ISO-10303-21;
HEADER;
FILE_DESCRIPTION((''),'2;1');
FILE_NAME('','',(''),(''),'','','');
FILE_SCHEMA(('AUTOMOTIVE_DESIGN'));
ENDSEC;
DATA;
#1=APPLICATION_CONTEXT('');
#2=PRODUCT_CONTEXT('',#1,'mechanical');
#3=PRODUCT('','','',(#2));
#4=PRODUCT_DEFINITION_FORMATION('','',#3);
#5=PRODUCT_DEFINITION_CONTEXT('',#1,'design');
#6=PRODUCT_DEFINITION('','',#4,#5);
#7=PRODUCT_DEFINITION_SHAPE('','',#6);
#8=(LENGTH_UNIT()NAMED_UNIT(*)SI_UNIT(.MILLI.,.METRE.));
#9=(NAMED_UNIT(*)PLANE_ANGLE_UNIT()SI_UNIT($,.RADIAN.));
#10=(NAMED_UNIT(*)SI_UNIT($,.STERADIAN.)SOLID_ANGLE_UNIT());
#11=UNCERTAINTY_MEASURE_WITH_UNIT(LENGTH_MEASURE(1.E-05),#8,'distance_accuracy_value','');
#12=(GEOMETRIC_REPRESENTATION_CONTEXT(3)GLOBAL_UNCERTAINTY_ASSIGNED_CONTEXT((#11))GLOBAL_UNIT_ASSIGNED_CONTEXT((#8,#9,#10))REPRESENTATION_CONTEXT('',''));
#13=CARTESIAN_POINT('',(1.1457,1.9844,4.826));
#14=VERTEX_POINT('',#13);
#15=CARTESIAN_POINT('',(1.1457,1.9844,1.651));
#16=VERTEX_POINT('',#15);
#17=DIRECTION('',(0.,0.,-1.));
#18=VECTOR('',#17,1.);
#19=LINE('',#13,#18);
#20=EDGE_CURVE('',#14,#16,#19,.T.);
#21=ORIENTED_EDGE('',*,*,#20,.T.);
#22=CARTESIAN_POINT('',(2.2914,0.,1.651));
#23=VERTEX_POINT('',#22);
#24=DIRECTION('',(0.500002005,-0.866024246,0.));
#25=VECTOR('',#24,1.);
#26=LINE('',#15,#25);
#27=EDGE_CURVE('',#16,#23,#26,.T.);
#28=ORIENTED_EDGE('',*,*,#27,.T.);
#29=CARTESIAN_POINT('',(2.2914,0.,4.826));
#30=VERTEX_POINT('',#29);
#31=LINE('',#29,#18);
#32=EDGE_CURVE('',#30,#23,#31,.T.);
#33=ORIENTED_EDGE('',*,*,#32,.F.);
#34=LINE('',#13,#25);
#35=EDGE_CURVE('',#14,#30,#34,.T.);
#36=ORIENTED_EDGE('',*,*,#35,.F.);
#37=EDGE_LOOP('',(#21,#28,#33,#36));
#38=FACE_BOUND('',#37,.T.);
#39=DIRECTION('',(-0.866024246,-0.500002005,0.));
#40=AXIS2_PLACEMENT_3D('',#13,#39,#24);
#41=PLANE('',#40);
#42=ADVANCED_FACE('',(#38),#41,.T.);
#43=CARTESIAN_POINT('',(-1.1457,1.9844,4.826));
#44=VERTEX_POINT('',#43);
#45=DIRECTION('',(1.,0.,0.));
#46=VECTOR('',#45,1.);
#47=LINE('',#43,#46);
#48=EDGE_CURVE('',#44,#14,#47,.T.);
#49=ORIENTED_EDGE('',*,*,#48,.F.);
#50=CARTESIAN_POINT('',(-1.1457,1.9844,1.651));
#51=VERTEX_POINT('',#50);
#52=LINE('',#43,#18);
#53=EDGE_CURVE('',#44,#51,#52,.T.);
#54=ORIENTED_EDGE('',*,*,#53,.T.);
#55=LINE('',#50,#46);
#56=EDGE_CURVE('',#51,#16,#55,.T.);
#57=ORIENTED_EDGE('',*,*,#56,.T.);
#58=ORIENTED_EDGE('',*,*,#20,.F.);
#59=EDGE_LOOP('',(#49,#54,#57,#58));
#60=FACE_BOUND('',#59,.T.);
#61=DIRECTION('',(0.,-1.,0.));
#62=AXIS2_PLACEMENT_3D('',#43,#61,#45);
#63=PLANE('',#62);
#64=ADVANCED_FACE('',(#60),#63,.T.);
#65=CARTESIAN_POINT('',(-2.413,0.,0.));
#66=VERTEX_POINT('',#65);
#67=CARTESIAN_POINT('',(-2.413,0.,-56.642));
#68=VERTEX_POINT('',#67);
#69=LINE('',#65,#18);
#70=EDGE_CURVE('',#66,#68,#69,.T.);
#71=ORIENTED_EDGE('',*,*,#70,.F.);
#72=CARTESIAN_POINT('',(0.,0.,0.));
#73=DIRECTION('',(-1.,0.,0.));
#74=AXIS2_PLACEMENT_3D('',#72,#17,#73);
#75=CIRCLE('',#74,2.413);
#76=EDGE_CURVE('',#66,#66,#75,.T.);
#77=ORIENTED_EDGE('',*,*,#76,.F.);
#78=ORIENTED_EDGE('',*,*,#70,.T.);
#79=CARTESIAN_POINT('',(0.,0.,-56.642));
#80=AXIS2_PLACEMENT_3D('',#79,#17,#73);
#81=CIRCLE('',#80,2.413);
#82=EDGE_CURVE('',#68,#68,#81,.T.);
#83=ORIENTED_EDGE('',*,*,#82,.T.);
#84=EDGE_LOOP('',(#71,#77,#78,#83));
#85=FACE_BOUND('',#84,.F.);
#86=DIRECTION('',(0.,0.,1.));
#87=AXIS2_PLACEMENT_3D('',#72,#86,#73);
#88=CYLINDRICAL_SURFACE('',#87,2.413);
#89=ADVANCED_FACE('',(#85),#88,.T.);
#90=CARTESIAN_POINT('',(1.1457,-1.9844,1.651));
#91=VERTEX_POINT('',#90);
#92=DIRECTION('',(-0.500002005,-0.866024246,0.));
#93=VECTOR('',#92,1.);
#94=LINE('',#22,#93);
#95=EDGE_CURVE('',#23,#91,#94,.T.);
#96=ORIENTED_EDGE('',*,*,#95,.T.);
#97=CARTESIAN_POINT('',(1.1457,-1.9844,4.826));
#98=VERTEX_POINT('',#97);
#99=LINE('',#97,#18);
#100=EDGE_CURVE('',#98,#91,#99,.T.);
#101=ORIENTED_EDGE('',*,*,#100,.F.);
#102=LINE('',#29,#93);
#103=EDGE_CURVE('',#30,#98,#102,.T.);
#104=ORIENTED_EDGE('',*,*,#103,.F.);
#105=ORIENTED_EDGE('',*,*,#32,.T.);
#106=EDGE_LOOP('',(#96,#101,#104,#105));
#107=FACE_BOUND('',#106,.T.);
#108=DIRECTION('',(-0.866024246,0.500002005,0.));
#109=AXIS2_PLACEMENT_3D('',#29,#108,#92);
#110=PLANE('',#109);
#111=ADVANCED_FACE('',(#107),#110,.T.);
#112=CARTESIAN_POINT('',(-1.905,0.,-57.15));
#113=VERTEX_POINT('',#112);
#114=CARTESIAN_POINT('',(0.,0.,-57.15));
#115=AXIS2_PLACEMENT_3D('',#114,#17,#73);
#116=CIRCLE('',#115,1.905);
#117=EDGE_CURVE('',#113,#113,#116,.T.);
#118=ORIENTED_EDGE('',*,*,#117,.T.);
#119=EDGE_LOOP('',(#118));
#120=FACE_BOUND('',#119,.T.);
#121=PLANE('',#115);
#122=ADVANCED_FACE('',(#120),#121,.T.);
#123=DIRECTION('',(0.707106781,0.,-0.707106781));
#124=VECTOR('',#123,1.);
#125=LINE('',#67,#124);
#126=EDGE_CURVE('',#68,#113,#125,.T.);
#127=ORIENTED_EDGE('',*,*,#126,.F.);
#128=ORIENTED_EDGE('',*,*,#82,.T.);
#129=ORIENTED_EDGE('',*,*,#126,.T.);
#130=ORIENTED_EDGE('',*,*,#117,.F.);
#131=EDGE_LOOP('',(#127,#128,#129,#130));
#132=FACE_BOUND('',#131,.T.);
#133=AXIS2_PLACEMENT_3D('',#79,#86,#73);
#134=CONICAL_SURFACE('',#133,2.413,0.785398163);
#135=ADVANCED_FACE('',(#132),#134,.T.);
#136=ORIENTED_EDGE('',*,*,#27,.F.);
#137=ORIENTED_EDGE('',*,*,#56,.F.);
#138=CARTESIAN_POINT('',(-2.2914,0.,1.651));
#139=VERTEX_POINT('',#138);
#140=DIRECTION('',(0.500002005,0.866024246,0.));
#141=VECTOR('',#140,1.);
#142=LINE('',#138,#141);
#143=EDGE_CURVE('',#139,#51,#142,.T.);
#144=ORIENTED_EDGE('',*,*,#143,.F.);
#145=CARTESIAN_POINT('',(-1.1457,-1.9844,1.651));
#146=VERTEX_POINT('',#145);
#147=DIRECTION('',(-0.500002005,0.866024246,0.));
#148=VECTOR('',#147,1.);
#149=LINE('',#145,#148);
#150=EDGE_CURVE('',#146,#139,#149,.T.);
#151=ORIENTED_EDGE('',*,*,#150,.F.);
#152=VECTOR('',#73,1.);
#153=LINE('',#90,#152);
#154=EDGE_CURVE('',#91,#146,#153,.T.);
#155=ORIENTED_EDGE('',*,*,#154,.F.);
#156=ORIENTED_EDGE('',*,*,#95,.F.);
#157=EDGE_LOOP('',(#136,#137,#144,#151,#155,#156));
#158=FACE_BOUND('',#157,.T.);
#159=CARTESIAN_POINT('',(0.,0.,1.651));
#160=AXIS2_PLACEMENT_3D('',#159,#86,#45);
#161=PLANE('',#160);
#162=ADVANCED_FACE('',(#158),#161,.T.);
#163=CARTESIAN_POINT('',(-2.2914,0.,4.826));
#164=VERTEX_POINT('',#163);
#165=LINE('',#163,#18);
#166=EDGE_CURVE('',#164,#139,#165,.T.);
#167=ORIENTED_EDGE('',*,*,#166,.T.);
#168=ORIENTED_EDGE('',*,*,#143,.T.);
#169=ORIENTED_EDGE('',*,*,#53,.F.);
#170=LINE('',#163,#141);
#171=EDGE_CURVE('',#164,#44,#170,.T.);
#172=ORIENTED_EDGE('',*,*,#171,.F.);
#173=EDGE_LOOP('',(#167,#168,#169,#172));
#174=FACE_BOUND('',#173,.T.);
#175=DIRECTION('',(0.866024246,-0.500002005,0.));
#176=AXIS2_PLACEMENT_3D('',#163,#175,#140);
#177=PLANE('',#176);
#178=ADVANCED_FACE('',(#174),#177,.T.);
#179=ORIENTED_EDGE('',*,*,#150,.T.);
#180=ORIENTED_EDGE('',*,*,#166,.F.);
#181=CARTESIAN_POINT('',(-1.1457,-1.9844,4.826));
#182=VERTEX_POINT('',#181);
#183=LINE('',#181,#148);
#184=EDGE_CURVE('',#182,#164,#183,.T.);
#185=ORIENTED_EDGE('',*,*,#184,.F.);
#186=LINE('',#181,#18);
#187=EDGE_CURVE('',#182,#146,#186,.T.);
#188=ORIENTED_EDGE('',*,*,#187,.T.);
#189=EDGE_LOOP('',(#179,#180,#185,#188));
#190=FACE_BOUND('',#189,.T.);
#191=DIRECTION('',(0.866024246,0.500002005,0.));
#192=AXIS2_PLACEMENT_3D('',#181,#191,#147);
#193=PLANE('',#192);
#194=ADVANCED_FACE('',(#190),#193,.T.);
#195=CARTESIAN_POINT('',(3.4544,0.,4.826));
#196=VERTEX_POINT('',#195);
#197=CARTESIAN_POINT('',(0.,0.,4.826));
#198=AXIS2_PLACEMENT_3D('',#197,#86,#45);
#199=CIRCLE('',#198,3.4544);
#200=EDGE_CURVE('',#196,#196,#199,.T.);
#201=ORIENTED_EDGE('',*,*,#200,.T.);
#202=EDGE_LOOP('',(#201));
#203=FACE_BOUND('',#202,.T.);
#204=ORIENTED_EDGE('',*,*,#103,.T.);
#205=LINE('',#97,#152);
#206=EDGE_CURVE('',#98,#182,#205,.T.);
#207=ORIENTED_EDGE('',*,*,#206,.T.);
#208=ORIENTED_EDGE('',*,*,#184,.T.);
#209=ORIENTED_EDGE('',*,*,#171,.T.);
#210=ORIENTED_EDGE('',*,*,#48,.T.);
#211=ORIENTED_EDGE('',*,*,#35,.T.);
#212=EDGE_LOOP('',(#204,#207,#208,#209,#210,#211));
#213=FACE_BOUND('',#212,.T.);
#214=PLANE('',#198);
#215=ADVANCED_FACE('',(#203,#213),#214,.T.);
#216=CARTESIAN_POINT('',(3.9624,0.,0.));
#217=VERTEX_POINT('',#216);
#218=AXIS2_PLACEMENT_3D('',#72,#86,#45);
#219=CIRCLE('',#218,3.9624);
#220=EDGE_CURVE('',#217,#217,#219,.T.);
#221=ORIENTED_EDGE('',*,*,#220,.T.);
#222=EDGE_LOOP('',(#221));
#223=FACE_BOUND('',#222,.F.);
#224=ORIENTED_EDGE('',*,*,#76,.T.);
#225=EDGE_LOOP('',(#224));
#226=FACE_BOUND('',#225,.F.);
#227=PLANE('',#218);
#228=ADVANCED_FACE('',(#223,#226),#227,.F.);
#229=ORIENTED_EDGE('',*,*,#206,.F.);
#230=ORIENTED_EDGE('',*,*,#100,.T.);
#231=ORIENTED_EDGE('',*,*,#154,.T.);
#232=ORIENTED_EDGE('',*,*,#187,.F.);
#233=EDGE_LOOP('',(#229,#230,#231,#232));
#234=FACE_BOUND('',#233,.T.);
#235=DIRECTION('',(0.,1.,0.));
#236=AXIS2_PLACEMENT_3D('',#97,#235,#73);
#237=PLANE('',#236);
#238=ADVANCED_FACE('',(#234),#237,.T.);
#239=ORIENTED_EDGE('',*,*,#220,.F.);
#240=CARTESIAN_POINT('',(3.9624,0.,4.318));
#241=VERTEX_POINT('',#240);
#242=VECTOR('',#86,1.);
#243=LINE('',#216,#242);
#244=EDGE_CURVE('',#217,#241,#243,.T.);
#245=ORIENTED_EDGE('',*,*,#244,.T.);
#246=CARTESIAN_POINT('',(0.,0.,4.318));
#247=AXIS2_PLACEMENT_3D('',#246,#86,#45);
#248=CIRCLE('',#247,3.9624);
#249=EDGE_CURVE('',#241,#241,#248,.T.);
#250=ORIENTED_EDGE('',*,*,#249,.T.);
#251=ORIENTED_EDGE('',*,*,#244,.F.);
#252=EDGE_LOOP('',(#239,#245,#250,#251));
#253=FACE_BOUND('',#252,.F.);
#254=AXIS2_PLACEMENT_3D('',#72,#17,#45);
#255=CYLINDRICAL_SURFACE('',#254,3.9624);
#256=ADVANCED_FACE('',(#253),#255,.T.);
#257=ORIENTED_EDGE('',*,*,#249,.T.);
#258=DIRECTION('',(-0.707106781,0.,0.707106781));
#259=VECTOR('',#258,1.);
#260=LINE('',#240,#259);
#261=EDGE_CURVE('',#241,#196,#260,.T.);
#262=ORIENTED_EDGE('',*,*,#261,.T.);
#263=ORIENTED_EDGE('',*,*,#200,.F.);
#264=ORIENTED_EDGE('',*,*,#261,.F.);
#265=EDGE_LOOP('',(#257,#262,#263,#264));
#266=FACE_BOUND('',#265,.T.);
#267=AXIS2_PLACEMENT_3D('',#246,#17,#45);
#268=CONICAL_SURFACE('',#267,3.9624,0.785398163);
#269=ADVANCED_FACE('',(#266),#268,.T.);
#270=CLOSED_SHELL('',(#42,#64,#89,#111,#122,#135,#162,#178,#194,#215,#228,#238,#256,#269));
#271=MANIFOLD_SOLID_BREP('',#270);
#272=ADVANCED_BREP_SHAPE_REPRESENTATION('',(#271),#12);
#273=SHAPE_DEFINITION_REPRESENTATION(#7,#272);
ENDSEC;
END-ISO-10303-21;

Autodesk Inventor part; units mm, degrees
ref_plane "YZ Plane" through (0, 0, 0) normal (1, 0, 0) x (0, 1, 0)
ref_plane "XZ Plane" through (0, 0, 0) normal (0, 1, 0) x (-1, 0, 0)
ref_plane "XY Plane" through (0, 0, 0) normal (0, 0, 1) x (1, 0, 0)
sketch "Sketch1" plane through (0, 0, 0) normal (0, 0, 1) x (1, 0, 0)
  circle A0 centre (0, 0) radius 3.9624
  dimension "d0" = 7.9248
extrude "Extrusion1" add sketch "Sketch1" along normal blind 4.826
sketch "Sketch2" plane through (0, 0, 0) normal (0, 0, -1) x (-1, 0, 0)
  circle A0 centre (0, 0) radius 3.9624 projected
  circle A1 centre (0, 0) radius 2.413
  dimension "d3" = 4.826
extrude "Extrusion2" add sketch "Sketch2" along normal blind 57.15 contours A1
sketch "Sketch3" plane through (0, 0, 4.826) normal (0, 0, 1) x (1, 0, 0)
  circle A0 centre (0, 0) radius 3.9624 projected
  line L0 (-1.1457, 1.9844) -> (1.1457, 1.9844)
  line L1 (1.1457, 1.9844) -> (2.2914, 0)
  line L2 (2.2914, 0) -> (1.1457, -1.9844)
  line L3 (1.1457, -1.9844) -> (-1.1457, -1.9844)
  line L4 (-1.1457, -1.9844) -> (-2.2914, 0)
  line L5 (-2.2914, 0) -> (-1.1457, 1.9844)
  dimension "d6" = 3.9688
extrude "Extrusion3" cut sketch "Sketch3" against normal blind 3.175 contours L0 L1 L2 L3 L4 L5
thread "Thread1" size "10-32 UNF" class "2A" standard "ANSI Unified Screw Threads" length 25.4
chamfer "Chamfer1" distance 0.508 angle 45 1 edges at (2.413, 0, -57.15)
chamfer "Chamfer2" distance 0.508 angle 45 1 edges at (-3.9624, 0, 4.826)
properties part number "10-32 x1000" material "Steel"
